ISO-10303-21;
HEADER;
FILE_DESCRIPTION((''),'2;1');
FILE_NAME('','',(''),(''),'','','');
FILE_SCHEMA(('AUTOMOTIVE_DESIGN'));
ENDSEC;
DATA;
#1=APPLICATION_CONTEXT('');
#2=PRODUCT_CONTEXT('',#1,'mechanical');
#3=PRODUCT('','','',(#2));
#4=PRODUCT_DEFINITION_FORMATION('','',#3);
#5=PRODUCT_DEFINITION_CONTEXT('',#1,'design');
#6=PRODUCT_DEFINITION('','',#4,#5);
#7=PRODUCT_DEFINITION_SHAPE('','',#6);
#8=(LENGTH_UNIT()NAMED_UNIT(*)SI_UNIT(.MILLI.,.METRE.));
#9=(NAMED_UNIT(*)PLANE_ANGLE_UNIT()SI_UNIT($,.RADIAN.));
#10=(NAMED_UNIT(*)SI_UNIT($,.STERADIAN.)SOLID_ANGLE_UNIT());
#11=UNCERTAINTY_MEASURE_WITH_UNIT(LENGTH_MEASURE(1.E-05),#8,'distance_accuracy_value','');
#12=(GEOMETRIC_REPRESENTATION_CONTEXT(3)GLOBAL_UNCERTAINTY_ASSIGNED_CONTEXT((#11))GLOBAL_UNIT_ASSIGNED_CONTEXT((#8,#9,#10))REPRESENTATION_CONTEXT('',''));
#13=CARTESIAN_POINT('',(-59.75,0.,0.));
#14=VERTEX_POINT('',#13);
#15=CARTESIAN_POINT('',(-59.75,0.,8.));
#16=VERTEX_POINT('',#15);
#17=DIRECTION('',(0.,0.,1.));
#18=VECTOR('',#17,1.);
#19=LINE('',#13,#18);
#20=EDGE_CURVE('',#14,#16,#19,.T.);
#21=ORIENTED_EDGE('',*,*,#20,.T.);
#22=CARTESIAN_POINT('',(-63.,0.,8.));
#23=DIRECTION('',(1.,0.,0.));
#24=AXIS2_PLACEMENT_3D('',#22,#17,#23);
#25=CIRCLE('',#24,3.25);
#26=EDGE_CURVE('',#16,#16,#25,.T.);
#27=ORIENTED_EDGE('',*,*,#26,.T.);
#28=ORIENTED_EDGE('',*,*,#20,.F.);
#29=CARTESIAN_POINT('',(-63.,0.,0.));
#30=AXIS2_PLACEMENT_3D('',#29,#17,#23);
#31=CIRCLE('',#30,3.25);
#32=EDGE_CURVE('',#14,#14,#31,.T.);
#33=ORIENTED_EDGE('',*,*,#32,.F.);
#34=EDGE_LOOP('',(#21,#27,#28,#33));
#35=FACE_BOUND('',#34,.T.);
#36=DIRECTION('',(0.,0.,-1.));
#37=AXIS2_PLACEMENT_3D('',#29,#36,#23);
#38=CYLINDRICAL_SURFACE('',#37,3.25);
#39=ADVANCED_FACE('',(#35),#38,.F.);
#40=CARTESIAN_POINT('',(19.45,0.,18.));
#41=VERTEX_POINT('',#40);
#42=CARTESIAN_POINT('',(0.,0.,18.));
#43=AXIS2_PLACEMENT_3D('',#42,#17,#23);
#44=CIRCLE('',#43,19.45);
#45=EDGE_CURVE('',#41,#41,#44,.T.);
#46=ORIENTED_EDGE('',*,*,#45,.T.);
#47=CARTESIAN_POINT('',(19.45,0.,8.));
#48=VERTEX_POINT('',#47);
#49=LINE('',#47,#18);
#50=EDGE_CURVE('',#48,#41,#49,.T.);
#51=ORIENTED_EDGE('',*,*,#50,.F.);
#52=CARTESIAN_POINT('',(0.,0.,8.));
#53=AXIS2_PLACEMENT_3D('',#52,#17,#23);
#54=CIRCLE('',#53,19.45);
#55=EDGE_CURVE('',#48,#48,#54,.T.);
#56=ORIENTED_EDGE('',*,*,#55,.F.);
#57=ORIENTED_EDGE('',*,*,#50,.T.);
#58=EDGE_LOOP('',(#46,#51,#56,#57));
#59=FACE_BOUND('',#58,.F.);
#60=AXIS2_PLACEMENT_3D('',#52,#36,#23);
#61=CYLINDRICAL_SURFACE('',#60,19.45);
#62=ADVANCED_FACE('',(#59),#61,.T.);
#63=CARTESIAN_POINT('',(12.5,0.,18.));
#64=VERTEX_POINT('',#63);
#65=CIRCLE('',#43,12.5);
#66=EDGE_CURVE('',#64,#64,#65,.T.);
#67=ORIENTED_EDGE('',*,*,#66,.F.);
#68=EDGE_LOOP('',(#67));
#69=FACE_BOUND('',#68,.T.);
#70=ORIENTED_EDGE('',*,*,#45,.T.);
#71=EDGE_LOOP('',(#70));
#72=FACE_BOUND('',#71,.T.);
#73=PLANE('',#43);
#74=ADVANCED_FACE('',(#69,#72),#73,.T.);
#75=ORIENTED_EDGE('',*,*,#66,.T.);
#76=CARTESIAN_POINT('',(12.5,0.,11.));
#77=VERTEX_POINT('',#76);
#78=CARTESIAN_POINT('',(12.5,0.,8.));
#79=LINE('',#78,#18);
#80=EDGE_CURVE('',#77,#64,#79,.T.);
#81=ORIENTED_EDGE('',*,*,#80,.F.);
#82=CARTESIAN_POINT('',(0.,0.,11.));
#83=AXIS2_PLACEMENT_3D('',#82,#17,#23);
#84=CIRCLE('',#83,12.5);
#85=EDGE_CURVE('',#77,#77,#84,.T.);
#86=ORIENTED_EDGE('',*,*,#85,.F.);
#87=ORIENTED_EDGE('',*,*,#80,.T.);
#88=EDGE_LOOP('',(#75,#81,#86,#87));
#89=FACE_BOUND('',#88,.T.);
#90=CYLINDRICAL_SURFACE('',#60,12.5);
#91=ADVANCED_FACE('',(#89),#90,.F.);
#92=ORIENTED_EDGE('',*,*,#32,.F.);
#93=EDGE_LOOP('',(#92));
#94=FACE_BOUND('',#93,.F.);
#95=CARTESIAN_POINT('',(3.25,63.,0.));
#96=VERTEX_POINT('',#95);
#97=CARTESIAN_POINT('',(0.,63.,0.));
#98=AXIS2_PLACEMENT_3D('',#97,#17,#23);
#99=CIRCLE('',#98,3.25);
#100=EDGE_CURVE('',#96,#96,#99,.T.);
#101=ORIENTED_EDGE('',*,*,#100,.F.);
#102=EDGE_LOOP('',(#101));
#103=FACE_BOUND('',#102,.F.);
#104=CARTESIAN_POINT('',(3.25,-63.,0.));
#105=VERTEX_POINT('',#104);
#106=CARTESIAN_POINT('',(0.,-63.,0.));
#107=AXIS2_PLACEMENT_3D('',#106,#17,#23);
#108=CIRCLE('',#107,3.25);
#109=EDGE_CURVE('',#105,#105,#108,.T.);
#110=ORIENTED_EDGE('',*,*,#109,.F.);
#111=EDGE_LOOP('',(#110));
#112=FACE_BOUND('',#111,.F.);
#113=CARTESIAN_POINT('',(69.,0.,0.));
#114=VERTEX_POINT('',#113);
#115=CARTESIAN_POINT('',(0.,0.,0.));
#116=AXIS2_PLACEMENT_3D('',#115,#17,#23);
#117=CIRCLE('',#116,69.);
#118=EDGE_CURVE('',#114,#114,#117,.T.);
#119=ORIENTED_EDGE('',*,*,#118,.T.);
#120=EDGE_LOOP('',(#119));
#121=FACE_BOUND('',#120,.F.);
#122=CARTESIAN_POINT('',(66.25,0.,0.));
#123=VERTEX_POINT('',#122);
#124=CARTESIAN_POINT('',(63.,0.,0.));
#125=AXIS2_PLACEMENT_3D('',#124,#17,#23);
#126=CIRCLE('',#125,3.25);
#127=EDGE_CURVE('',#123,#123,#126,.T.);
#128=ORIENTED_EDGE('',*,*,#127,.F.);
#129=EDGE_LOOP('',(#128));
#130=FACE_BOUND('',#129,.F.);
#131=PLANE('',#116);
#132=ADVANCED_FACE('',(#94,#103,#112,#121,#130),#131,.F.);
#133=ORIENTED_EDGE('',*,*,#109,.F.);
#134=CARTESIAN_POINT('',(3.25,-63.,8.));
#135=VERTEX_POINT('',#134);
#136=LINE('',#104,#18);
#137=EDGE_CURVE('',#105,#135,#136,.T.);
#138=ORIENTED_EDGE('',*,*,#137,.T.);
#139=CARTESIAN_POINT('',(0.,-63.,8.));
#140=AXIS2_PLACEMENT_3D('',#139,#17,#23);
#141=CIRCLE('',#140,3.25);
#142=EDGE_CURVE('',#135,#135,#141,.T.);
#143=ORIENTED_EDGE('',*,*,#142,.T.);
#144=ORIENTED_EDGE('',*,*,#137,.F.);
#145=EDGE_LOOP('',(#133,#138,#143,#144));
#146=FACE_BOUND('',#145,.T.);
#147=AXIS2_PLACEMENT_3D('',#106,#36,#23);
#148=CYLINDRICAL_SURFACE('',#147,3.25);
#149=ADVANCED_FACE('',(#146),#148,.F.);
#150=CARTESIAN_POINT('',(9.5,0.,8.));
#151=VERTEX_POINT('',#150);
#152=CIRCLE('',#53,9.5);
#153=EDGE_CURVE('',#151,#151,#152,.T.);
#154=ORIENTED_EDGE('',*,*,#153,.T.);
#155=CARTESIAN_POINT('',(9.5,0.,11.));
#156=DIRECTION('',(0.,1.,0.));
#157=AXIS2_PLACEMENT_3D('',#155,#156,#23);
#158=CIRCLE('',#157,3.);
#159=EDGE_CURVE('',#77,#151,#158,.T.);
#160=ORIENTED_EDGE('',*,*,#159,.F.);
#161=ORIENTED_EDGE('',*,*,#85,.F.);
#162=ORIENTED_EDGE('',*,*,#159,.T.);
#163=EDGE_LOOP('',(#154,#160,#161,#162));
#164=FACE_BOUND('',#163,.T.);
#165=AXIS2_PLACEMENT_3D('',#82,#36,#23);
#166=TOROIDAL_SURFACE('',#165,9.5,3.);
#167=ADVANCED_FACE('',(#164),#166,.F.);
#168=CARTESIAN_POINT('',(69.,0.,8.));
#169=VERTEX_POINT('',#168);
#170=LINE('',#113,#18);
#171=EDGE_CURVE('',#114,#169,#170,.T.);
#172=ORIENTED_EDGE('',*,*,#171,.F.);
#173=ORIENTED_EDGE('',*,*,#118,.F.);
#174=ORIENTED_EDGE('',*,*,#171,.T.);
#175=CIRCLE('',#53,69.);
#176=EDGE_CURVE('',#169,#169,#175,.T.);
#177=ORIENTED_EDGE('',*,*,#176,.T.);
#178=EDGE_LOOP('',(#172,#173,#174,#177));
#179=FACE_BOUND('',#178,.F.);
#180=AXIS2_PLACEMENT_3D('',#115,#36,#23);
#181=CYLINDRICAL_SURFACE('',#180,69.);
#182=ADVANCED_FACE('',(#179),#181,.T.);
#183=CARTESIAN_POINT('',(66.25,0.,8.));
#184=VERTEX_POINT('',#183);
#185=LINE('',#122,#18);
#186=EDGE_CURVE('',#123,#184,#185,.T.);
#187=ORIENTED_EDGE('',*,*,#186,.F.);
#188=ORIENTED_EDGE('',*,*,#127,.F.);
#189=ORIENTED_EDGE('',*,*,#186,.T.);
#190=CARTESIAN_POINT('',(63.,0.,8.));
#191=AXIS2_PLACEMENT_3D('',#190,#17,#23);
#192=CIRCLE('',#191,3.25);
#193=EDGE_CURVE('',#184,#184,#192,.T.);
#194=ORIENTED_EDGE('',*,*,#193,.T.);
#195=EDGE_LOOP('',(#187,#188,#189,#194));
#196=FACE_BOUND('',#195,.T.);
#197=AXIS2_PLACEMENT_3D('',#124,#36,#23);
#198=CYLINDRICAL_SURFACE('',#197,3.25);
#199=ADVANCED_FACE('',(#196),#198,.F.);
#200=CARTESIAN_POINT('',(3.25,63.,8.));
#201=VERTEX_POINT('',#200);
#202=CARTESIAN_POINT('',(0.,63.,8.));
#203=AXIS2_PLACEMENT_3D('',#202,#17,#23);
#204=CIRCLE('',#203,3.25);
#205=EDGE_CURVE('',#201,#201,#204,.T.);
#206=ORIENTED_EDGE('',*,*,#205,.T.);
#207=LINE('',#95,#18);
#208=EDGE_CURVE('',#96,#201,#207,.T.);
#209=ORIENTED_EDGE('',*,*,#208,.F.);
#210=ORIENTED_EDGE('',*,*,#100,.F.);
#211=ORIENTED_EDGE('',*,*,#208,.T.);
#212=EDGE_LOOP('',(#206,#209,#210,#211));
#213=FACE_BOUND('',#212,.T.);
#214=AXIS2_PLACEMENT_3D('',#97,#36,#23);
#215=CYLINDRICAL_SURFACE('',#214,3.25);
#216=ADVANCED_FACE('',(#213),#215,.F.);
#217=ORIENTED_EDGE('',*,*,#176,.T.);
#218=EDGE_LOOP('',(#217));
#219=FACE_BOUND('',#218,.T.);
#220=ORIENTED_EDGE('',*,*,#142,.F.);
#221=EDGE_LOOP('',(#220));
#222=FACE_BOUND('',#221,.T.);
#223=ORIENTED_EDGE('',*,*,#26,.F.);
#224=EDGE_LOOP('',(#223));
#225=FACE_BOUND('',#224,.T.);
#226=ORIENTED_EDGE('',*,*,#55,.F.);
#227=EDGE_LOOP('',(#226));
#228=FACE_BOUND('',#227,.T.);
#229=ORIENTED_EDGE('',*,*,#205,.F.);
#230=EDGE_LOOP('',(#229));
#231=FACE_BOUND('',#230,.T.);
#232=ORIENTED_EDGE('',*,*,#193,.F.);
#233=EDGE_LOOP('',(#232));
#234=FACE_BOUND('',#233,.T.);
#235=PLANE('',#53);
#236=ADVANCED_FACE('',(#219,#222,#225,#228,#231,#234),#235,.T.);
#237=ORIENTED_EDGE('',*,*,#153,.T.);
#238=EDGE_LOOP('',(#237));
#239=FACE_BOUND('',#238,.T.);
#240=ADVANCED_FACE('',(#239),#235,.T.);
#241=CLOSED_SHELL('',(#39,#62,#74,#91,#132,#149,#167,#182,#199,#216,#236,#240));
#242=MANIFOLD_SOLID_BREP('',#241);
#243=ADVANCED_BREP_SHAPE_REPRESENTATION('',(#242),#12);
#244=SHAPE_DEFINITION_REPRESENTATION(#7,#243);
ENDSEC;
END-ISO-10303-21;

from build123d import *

# Parameters (mm, degrees)
F0_R     = 69
F0_R_2   = 3.25
F1_DEPTH = 8
F2_R     = 19.45
F2_R_2   = 12.5
F3_DEPTH = 10
F4_R     = 3


with BuildPart() as f1:
    # F0 (on Top) → F1 (new body)
    with BuildSketch(Plane.XY):
        Circle(F0_R)
        with Locations((0, -63)):
            Circle(F0_R_2, mode=Mode.SUBTRACT)
        with Locations((-63, 0)):
            Circle(F0_R_2, mode=Mode.SUBTRACT)
        with Locations((63, 0)):
            Circle(F0_R_2, mode=Mode.SUBTRACT)
        with Locations((0, 63)):
            Circle(F0_R_2, mode=Mode.SUBTRACT)
    extrude(amount=F1_DEPTH)

    # F2 (on face) → F3 (join)
    with BuildSketch(Plane.XY.offset(8)):
        Circle(F2_R)
        Circle(F2_R_2, mode=Mode.SUBTRACT)
    extrude(amount=F3_DEPTH)

    # F4
    f4_edges = [f1.edges().sort_by_distance(p)[0] for p in [
        (-12.5, 0, 8),
    ]]
    fillet(f4_edges, radius=F4_R)


solid = f1.part
